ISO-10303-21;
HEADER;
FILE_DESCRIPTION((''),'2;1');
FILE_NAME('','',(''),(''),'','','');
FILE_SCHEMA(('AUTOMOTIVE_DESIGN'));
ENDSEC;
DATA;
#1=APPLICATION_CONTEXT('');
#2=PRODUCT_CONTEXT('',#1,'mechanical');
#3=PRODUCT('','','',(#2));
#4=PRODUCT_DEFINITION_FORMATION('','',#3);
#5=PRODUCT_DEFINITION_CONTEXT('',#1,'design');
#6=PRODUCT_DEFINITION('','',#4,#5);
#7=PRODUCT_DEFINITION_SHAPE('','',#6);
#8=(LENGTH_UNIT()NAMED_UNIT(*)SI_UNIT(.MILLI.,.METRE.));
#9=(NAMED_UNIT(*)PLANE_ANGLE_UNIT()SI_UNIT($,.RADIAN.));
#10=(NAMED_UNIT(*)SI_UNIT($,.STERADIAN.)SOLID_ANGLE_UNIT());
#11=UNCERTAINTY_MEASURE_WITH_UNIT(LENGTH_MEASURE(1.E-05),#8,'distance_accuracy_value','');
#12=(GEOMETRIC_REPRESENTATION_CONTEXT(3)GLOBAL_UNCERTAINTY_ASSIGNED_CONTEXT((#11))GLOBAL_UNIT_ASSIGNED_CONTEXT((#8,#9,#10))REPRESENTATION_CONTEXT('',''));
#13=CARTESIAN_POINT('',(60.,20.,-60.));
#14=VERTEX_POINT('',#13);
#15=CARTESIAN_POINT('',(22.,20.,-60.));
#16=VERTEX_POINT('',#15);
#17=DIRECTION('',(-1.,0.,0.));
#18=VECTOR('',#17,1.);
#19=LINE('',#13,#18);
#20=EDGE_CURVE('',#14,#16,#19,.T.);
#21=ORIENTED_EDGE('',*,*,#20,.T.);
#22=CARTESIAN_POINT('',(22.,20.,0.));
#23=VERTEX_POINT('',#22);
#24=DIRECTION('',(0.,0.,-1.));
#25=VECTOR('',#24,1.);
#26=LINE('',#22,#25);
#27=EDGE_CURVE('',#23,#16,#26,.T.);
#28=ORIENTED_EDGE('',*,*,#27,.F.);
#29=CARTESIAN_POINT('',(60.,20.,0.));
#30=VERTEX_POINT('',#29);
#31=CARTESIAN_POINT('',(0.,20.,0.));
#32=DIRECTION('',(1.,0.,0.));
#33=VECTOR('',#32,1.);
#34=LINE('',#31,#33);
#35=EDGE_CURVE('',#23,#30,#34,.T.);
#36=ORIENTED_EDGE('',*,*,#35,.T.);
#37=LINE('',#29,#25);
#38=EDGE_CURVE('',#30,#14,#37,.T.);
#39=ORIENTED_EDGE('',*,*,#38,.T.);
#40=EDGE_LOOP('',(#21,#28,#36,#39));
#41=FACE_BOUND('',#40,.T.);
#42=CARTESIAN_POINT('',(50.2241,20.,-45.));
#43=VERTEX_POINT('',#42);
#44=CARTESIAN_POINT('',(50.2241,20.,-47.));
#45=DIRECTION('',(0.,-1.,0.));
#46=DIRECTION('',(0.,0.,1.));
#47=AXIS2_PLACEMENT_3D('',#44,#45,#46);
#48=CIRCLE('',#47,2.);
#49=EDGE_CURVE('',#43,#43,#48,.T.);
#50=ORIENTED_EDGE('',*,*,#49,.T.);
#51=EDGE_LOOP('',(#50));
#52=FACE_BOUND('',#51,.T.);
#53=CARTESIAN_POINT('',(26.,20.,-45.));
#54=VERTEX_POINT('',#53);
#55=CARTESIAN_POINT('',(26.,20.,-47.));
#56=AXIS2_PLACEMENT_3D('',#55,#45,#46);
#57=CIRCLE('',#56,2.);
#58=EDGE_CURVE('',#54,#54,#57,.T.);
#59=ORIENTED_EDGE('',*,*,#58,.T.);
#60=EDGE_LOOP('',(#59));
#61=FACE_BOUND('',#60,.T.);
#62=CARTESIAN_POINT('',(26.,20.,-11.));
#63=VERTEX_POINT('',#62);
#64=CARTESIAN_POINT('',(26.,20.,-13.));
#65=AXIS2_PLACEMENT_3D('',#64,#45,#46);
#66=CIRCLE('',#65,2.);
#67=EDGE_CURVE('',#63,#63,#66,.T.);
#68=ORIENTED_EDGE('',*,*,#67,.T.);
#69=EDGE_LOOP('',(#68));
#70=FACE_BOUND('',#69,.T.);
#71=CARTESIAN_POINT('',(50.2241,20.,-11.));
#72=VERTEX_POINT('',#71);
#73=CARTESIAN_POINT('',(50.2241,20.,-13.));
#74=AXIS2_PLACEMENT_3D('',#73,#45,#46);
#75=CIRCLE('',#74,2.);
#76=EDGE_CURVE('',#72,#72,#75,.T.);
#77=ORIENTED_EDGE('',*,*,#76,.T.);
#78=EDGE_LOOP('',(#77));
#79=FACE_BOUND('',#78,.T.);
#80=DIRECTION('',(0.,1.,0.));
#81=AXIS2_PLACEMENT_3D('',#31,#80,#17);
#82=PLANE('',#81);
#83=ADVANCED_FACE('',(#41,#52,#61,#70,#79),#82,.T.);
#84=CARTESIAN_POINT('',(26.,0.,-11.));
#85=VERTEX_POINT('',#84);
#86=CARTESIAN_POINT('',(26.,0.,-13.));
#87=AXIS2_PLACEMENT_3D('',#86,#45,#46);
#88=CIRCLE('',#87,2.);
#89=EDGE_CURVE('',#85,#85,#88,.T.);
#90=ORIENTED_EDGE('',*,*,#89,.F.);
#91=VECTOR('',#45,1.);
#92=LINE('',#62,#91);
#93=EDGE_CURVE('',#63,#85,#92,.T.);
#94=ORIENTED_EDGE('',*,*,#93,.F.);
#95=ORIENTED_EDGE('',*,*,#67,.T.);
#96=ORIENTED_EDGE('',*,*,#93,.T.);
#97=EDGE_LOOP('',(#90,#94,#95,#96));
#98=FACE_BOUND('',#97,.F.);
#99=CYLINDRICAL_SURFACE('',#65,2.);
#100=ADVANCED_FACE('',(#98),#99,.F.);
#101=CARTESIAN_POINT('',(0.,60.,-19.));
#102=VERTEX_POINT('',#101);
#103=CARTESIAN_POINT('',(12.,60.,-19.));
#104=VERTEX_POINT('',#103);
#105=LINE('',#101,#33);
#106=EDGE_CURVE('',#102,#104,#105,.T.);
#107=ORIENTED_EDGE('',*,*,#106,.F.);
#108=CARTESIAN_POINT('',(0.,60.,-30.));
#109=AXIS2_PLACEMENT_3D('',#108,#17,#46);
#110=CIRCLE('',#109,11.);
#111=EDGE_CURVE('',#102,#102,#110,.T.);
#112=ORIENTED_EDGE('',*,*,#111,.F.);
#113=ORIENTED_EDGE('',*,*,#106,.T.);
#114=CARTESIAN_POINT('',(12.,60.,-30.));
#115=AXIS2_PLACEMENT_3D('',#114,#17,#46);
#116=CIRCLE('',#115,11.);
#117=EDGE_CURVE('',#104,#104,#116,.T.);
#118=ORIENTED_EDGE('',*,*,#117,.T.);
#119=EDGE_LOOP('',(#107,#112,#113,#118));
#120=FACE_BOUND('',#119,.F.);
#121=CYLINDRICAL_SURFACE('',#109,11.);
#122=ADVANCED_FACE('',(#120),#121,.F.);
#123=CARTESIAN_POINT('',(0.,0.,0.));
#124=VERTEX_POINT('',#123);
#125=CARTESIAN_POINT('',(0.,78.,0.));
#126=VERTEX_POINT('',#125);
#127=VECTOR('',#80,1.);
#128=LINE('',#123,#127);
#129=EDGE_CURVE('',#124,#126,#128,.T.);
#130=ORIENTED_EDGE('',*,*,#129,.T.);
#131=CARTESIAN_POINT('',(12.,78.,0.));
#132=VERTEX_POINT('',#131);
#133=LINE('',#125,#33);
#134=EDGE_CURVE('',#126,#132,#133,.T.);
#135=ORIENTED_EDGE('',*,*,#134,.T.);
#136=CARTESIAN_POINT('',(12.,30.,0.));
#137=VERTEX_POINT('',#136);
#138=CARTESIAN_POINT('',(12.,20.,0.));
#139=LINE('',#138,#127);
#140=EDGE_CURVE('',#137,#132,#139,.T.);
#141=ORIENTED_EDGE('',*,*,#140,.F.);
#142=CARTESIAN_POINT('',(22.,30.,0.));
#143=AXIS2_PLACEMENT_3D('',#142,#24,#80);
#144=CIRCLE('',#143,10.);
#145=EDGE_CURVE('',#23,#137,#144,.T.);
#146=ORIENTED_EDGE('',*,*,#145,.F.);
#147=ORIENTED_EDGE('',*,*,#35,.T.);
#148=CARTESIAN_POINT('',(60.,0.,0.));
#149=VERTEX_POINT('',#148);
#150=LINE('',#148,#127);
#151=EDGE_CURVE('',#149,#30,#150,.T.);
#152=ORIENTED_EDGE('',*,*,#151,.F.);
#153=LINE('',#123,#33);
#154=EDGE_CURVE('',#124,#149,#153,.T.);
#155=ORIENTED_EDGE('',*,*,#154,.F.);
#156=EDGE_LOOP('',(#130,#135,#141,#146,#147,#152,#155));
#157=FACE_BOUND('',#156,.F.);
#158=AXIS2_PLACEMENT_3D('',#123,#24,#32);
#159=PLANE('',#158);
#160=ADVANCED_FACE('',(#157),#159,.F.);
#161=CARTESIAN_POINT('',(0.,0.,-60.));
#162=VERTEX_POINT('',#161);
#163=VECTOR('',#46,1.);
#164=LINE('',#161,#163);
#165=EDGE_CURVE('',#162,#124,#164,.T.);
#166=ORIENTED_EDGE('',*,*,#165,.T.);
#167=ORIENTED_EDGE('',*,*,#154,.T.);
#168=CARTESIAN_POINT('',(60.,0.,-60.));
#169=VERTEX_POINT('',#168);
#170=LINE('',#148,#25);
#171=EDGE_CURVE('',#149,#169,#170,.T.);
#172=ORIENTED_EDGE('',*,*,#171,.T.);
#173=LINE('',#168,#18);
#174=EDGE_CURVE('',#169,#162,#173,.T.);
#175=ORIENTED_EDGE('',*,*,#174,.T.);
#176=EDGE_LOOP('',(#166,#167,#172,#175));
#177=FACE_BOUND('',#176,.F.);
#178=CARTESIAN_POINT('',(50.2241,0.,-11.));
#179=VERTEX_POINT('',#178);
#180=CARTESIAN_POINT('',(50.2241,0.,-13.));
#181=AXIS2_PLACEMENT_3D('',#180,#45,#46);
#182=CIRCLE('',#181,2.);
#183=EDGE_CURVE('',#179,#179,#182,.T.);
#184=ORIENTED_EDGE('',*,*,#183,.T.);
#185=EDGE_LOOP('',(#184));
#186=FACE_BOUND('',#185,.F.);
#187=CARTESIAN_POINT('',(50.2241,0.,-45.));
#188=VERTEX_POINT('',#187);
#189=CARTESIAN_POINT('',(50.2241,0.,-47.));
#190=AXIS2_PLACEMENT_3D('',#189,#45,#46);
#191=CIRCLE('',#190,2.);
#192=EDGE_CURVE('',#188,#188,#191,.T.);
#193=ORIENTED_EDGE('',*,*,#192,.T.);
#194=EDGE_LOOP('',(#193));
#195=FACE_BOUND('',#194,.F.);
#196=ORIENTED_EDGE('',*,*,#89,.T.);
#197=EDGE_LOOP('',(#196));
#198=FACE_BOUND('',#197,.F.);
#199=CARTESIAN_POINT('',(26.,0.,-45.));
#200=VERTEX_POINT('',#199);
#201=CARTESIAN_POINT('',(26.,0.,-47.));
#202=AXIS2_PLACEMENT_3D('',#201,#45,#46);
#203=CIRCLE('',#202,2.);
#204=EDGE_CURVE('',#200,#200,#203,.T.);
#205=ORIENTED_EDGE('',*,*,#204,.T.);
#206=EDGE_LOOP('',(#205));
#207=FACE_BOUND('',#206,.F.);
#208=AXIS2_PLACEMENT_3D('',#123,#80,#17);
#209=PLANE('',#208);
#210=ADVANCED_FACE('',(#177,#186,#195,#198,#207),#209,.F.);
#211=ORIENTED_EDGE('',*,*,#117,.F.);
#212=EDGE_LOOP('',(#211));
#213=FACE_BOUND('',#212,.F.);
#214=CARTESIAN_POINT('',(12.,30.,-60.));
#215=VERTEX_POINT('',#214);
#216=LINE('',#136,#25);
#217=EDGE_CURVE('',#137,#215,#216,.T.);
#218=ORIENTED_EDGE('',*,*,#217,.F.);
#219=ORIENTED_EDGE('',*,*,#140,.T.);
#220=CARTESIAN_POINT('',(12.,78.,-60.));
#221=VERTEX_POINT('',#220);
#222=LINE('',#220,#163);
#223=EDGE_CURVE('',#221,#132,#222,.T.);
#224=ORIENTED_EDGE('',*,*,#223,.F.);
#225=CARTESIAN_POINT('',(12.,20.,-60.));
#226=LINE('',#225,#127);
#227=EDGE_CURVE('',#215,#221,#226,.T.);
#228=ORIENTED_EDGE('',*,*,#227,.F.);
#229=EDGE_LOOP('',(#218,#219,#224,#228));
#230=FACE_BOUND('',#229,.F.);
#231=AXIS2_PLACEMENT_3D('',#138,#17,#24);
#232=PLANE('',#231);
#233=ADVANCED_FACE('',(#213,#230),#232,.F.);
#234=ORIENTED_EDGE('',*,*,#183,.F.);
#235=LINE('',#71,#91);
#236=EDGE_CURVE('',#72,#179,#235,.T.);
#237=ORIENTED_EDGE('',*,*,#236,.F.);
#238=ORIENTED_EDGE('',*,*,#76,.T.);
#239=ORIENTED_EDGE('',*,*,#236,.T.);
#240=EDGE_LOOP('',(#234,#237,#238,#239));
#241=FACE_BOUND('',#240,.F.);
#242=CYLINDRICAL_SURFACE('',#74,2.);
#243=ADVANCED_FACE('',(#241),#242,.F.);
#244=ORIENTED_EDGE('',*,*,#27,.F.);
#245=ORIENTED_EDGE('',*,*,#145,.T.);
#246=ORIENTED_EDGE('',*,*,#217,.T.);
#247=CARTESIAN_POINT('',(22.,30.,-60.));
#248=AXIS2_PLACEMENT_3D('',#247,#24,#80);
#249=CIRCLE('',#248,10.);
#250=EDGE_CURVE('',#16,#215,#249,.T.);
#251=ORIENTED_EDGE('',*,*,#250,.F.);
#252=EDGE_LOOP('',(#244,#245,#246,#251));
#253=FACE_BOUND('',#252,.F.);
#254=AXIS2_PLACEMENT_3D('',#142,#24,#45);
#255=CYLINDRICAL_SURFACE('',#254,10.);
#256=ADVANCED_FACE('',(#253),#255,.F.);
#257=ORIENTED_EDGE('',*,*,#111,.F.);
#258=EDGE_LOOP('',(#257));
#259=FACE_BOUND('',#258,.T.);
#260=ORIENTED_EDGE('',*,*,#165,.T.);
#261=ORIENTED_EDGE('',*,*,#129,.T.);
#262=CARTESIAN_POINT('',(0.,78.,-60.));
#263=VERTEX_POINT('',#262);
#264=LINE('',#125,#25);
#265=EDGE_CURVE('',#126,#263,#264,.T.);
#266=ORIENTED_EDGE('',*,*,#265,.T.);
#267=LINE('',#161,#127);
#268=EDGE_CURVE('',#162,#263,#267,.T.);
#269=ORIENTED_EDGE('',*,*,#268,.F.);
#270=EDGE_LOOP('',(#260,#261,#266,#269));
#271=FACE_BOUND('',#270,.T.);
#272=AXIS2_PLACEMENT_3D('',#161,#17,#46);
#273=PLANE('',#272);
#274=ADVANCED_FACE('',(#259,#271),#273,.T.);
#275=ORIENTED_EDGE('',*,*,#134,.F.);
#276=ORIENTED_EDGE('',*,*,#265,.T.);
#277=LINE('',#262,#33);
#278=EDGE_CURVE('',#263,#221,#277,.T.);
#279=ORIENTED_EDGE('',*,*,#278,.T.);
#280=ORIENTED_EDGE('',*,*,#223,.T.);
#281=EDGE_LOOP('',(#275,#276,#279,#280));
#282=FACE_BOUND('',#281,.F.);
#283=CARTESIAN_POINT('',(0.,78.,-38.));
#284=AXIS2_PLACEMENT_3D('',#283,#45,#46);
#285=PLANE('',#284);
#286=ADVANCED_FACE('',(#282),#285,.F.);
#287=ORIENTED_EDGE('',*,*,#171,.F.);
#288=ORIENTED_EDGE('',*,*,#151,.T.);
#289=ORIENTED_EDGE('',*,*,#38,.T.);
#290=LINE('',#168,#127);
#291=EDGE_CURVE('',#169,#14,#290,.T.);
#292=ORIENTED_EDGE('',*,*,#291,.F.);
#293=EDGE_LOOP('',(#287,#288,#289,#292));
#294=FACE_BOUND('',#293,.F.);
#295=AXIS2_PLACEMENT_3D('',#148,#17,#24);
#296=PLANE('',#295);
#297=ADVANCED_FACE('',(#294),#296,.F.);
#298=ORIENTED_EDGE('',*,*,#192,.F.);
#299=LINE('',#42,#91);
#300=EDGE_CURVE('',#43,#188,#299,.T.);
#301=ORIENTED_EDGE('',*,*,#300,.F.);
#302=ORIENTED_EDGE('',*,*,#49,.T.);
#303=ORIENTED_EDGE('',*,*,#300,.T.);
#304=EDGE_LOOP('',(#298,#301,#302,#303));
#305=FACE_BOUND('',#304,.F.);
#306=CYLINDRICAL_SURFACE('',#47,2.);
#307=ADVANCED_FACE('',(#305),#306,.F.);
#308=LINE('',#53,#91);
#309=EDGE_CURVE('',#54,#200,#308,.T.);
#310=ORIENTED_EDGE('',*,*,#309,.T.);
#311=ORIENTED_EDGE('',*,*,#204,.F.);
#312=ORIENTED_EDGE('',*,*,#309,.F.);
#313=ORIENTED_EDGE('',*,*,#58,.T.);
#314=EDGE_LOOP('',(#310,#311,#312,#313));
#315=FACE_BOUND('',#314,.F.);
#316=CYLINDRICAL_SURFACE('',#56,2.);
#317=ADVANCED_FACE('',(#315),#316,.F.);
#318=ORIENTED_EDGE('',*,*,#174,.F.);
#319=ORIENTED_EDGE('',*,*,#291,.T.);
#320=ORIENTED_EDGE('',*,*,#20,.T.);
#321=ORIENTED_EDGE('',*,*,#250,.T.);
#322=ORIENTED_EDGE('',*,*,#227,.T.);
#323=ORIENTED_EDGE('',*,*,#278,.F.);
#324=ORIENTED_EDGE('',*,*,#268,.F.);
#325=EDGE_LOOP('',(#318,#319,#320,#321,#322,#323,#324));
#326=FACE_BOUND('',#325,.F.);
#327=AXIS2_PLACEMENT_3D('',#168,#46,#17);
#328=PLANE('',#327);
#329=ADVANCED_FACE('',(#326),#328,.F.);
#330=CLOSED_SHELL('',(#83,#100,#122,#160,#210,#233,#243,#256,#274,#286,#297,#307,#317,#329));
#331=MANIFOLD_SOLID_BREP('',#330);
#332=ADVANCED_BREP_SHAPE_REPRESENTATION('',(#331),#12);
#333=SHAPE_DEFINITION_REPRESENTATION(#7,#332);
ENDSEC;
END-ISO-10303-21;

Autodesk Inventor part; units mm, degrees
ref_plane "YZ Plane" through (0, 0, 0) normal (1, 0, 0) x (0, 1, 0)
ref_plane "XZ Plane" through (0, 0, 0) normal (0, 1, 0) x (-1, 0, 0)
ref_plane "XY Plane" through (0, 0, 0) normal (0, 0, 1) x (1, 0, 0)
sketch "Эскиз1" plane through (0, 0, 0) normal (0, 1, 0) x (-1, 0, 0)
  line L0 (0, 0) -> (-60, 0)
  line L1 (-60, 0) -> (-60, -60)
  line L2 (-60, -60) -> (0, -60)
  line L3 (0, -60) -> (0, 0)
  dimension "d0" = 60
  dimension "d1" = 60
extrude "Выдавливание1" add sketch "Эскиз1" along normal blind 20
sketch "Эскиз2" plane through (0, 20, 0) normal (0, 1, 0) x (1, 0, 0)
  line L0 (0, 0) -> (60, 0) projected
  line L1 (0, 0) -> (12, 0)
  line L2 (12, 0) -> (12, 60)
  line L3 (60, 60) -> (0, 60) projected
  line L4 (0, 60) -> (0, 0) projected
  line L5 (0, 60) -> (0, 0)
  dimension "d4" = 12
extrude "Выдавливание2" add sketch "Эскиз2" along normal blind 260
sketch "Эскиз3" plane through (0, 20, 0) normal (0, 1, 0) x (1, 0, 0)
  point P0 (0, 0)
  point P1 (26, 13)
  point P2 (26, 47)
  point P3 (50.2241, 13)
  point P4 (50.2241, 47)
hole "Отверстие1" at (26, 20, -13) at (26, 20, -47) at (50.2241, 20, -13) at (50.2241, 20, -47) direction (0, -1, 0) diameter 4 depth 40 tip angle 118
sketch "Эскиз4" plane through (12, 20, 0) normal (1, 0, 0) x (0, 0, -1)
  point P0 (0, -20)
  point P1 (30, 88)
  dimension "d14" = 0
extrude "Выдавливание3" [suppressed]
sketch "Эскиз5" plane through (12, 20, 0) normal (1, 0, 0) x (0, 0, -1)
  point P0 (0, -20)
sketch "Эскиз6" plane through (0, 0, 0) normal (0, 0, 1) x (1, 0, 0)
  line L0 (0, 0) -> (0, 280) projected
  line L1 (12, 20) -> (12, 280) projected
sketch "Эскиз7" plane through (60, 0, -60) normal (0, 0, -1) x (-1, 0, 0)
  point P0 (60, 0)
sketch "Эскиз8" plane through (12, 20, 0) normal (1, 0, 0) x (0, 0, -1)
  circle A0 centre (30, 80) radius 11.5
  point P0 (0, -20)
  point P1 (0, 80)
  dimension "d17" = 23
extrude "Выдавливание4" cut sketch "Эскиз8" against normal blind 100
sketch "Эскиз9" plane through (0, 0, -60) normal (-1, 0, 0) x (0, 0, 1)
  circle A0 centre (29.731, 99.8395) radius 12.5286
  point P0 (60, 0)
  point P1 (0, 80)
extrude "Выдавливание5" add sketch "Эскиз9" against normal blind 12
sketch "Эскиз10" plane through (0, 0, -60) normal (-1, 0, 0) x (0, 0, 1)
  line L0 (0, 0) -> (0, 280) projected
  circle A0 centre (30, 60) radius 11
  circle A1 centre (22, 80) radius 2
  circle A2 centre (38, 80) radius 2
  point P0 (60, 0)
  point P1 (0, 60)
  point P2 (0, 80)
  point P3 (30, 80)
  dimension "d22" = 22
  dimension "d23" = 4
  dimension "d24" = 4
extrude "Выдавливание6" cut sketch "Эскиз10" against normal blind 12
sketch "Эскиз11" plane through (0, 0, 0) normal (0, -1, 0) x (1, 0, 0)
  point P0 (0, 0)
fillet "Сопряжение1" radius 10 1 edges at (12, 20, -30)
sketch "Эскиз12" plane through (0, 0, -60) normal (-1, 0, 0) x (0, 0, 1)
  line L0 (0, 120) -> (60, 120)
  line L1 (60, 120) -> (60, 125)
  line L2 (60, 125) -> (0, 125)
  line L3 (0, 125) -> (0, 120)
  point P0 (60, 0)
  dimension "d28" = 60
  dimension "d29" = 5
extrude "Выдавливание7" add sketch "Эскиз12" against normal blind 50
fillet "Сопряжение2" radius 5 1 edges at (12, 125, -30)
sketch "Эскиз13" plane through (50, 125, 0) normal (0, 1, 0) x (1, 0, 0)
  circle A0 centre (-19, 30) radius 2
  point P0 (-50, 0)
  dimension "d33" = 4
extrude "Выдавливание8" cut sketch "Эскиз13" against normal blind 50
sketch "Эскиз14" plane through (0, 0, -60) normal (-1, 0, 0) x (0, 0, 1)
  line L0 (0, 0) -> (0, 280) projected
  line L1 (0, 145) -> (60, 145)
  line L2 (60, 145) -> (60, 150)
  line L3 (60, 150) -> (0, 150)
  line L4 (0, 150) -> (0, 145)
  point P0 (60, 0)
  dimension "d36" = 60
  dimension "d37" = 5
extrude "Выдавливание9" add sketch "Эскиз14" against normal blind 50
fillet "Сопряжение3" radius 5 1 edges at (12, 150, -30)
sketch "Эскиз15" plane through (12, 145, -60) normal (0, -1, 0) x (1, 0, 0)
  circle A0 centre (19, 30) radius 2 projected
  circle A1 centre (19, 30) radius 2
  circle A2 centre (19, 30) radius 2
  point P0 (-12, 60)
  point P1 (3.4297, 11.4015)
  dimension "d41" = 4
extrude "Выдавливание10" cut sketch "Эскиз15" against normal blind 50
sketch "Эскиз16" plane through (0, 0, -60) normal (-1, 0, 0) x (0, 0, 1)
  line L0 (0, 0) -> (0, 280) projected
  circle A0 centre (30, 215) radius 0.5
  point P0 (60, 0)
  point P1 (0, 215)
  point P2 (0, 215)
  dimension "d44" = 1
extrude "Выдавливание11" cut sketch "Эскиз16" against normal blind 100
sketch "Эскиз17" plane through (12, 280, 0) normal (1, 0, 0) x (0, 0, -1)
  point P0 (0, -280)
sketch "Эскиз18" plane through (12, 280, 0) normal (1, 0, 0) x (0, 0, -1)
  line L0 (0, -125) -> (0, 0) projected
  line L1 (60, -280) -> (60, 0) projected
  line L2 (0, -80) -> (0, -50)
  line L3 (0, -50) -> (5, -50)
  line L4 (5, -50) -> (5, -80)
  line L5 (5, -80) -> (0, -80)
  line L6 (0, -80) -> (0, -50)
  point P0 (0, -280)
  point P1 (30, -80)
  point P2 (30, -50)
  dimension "d47" = 5
extrude "Выдавливание12" add sketch "Эскиз18" along normal blind 44.5
sketch "Эскиз19" plane through (0, 0, 0) normal (0, 0, 1) x (1, 0, 0)
  circle A0 centre (52.5, 223) radius 2
  circle A1 centre (52.5, 207) radius 2
  point P0 (0, 0)
  point P1 (52.5, 215)
  dimension "d50" = 4
  dimension "d51" = 4
extrude "Выдавливание13" cut sketch "Эскиз19" against normal blind 45
fillet "Сопряжение4" radius 10 1 edges at (12, 215, -5)
sketch "Эскиз20" plane through (12, 280, 0) normal (1, 0, 0) x (0, 0, -1)
  line L0 (0, -280) -> (0, 0) projected
  line L1 (0, -50.033) -> (60, -50.033)
  line L2 (60, -280) -> (60, 0) projected
  line L3 (60, -50.033) -> (60, 0)
  line L4 (60, 0) -> (0, 0)
  line L5 (0, 0) -> (0, -50.033)
extrude "Выдавливание14" cut sketch "Эскиз20" against normal blind 100
sketch "Эскиз21" plane through (0, 0, 0) normal (0, 0, 1) x (1, 0, 0)
  line L0 (22, 230) -> (12, 230) projected
  line L1 (22, 200) -> (56.5, 200) projected
  line L2 (12, 230) -> (56.5, 230)
  line L3 (56.5, 230) -> (56.5, 200)
  line L4 (56.5, 200) -> (12, 200)
  line L5 (12, 200) -> (12, 230)
  point P0 (0, 0)
extrude "Выдавливание15" cut sketch "Эскиз21" against normal blind 100
sketch "Эскиз22" plane through (0, 0, -60) normal (-1, 0, 0) x (0, 0, 1)
  circle A0 centre (22, 80) radius 2 projected
  line L0 (60, 0) -> (60, 229.967) projected
  line L1 (0, 0) -> (0, 229.967) projected
  line L2 (0, 30) -> (0, 120) projected
  line L3 (0, 78) -> (60, 78)
  line L4 (60, 155) -> (60, 229.967) projected
  line L5 (60, 78) -> (60, 229.967)
  line L6 (60, 229.967) -> (0, 229.967)
  line L7 (0, 78) -> (0, 229.967)
extrude "Выдавливание16" cut sketch "Эскиз22" against normal blind 100
properties part number "Подпора"
